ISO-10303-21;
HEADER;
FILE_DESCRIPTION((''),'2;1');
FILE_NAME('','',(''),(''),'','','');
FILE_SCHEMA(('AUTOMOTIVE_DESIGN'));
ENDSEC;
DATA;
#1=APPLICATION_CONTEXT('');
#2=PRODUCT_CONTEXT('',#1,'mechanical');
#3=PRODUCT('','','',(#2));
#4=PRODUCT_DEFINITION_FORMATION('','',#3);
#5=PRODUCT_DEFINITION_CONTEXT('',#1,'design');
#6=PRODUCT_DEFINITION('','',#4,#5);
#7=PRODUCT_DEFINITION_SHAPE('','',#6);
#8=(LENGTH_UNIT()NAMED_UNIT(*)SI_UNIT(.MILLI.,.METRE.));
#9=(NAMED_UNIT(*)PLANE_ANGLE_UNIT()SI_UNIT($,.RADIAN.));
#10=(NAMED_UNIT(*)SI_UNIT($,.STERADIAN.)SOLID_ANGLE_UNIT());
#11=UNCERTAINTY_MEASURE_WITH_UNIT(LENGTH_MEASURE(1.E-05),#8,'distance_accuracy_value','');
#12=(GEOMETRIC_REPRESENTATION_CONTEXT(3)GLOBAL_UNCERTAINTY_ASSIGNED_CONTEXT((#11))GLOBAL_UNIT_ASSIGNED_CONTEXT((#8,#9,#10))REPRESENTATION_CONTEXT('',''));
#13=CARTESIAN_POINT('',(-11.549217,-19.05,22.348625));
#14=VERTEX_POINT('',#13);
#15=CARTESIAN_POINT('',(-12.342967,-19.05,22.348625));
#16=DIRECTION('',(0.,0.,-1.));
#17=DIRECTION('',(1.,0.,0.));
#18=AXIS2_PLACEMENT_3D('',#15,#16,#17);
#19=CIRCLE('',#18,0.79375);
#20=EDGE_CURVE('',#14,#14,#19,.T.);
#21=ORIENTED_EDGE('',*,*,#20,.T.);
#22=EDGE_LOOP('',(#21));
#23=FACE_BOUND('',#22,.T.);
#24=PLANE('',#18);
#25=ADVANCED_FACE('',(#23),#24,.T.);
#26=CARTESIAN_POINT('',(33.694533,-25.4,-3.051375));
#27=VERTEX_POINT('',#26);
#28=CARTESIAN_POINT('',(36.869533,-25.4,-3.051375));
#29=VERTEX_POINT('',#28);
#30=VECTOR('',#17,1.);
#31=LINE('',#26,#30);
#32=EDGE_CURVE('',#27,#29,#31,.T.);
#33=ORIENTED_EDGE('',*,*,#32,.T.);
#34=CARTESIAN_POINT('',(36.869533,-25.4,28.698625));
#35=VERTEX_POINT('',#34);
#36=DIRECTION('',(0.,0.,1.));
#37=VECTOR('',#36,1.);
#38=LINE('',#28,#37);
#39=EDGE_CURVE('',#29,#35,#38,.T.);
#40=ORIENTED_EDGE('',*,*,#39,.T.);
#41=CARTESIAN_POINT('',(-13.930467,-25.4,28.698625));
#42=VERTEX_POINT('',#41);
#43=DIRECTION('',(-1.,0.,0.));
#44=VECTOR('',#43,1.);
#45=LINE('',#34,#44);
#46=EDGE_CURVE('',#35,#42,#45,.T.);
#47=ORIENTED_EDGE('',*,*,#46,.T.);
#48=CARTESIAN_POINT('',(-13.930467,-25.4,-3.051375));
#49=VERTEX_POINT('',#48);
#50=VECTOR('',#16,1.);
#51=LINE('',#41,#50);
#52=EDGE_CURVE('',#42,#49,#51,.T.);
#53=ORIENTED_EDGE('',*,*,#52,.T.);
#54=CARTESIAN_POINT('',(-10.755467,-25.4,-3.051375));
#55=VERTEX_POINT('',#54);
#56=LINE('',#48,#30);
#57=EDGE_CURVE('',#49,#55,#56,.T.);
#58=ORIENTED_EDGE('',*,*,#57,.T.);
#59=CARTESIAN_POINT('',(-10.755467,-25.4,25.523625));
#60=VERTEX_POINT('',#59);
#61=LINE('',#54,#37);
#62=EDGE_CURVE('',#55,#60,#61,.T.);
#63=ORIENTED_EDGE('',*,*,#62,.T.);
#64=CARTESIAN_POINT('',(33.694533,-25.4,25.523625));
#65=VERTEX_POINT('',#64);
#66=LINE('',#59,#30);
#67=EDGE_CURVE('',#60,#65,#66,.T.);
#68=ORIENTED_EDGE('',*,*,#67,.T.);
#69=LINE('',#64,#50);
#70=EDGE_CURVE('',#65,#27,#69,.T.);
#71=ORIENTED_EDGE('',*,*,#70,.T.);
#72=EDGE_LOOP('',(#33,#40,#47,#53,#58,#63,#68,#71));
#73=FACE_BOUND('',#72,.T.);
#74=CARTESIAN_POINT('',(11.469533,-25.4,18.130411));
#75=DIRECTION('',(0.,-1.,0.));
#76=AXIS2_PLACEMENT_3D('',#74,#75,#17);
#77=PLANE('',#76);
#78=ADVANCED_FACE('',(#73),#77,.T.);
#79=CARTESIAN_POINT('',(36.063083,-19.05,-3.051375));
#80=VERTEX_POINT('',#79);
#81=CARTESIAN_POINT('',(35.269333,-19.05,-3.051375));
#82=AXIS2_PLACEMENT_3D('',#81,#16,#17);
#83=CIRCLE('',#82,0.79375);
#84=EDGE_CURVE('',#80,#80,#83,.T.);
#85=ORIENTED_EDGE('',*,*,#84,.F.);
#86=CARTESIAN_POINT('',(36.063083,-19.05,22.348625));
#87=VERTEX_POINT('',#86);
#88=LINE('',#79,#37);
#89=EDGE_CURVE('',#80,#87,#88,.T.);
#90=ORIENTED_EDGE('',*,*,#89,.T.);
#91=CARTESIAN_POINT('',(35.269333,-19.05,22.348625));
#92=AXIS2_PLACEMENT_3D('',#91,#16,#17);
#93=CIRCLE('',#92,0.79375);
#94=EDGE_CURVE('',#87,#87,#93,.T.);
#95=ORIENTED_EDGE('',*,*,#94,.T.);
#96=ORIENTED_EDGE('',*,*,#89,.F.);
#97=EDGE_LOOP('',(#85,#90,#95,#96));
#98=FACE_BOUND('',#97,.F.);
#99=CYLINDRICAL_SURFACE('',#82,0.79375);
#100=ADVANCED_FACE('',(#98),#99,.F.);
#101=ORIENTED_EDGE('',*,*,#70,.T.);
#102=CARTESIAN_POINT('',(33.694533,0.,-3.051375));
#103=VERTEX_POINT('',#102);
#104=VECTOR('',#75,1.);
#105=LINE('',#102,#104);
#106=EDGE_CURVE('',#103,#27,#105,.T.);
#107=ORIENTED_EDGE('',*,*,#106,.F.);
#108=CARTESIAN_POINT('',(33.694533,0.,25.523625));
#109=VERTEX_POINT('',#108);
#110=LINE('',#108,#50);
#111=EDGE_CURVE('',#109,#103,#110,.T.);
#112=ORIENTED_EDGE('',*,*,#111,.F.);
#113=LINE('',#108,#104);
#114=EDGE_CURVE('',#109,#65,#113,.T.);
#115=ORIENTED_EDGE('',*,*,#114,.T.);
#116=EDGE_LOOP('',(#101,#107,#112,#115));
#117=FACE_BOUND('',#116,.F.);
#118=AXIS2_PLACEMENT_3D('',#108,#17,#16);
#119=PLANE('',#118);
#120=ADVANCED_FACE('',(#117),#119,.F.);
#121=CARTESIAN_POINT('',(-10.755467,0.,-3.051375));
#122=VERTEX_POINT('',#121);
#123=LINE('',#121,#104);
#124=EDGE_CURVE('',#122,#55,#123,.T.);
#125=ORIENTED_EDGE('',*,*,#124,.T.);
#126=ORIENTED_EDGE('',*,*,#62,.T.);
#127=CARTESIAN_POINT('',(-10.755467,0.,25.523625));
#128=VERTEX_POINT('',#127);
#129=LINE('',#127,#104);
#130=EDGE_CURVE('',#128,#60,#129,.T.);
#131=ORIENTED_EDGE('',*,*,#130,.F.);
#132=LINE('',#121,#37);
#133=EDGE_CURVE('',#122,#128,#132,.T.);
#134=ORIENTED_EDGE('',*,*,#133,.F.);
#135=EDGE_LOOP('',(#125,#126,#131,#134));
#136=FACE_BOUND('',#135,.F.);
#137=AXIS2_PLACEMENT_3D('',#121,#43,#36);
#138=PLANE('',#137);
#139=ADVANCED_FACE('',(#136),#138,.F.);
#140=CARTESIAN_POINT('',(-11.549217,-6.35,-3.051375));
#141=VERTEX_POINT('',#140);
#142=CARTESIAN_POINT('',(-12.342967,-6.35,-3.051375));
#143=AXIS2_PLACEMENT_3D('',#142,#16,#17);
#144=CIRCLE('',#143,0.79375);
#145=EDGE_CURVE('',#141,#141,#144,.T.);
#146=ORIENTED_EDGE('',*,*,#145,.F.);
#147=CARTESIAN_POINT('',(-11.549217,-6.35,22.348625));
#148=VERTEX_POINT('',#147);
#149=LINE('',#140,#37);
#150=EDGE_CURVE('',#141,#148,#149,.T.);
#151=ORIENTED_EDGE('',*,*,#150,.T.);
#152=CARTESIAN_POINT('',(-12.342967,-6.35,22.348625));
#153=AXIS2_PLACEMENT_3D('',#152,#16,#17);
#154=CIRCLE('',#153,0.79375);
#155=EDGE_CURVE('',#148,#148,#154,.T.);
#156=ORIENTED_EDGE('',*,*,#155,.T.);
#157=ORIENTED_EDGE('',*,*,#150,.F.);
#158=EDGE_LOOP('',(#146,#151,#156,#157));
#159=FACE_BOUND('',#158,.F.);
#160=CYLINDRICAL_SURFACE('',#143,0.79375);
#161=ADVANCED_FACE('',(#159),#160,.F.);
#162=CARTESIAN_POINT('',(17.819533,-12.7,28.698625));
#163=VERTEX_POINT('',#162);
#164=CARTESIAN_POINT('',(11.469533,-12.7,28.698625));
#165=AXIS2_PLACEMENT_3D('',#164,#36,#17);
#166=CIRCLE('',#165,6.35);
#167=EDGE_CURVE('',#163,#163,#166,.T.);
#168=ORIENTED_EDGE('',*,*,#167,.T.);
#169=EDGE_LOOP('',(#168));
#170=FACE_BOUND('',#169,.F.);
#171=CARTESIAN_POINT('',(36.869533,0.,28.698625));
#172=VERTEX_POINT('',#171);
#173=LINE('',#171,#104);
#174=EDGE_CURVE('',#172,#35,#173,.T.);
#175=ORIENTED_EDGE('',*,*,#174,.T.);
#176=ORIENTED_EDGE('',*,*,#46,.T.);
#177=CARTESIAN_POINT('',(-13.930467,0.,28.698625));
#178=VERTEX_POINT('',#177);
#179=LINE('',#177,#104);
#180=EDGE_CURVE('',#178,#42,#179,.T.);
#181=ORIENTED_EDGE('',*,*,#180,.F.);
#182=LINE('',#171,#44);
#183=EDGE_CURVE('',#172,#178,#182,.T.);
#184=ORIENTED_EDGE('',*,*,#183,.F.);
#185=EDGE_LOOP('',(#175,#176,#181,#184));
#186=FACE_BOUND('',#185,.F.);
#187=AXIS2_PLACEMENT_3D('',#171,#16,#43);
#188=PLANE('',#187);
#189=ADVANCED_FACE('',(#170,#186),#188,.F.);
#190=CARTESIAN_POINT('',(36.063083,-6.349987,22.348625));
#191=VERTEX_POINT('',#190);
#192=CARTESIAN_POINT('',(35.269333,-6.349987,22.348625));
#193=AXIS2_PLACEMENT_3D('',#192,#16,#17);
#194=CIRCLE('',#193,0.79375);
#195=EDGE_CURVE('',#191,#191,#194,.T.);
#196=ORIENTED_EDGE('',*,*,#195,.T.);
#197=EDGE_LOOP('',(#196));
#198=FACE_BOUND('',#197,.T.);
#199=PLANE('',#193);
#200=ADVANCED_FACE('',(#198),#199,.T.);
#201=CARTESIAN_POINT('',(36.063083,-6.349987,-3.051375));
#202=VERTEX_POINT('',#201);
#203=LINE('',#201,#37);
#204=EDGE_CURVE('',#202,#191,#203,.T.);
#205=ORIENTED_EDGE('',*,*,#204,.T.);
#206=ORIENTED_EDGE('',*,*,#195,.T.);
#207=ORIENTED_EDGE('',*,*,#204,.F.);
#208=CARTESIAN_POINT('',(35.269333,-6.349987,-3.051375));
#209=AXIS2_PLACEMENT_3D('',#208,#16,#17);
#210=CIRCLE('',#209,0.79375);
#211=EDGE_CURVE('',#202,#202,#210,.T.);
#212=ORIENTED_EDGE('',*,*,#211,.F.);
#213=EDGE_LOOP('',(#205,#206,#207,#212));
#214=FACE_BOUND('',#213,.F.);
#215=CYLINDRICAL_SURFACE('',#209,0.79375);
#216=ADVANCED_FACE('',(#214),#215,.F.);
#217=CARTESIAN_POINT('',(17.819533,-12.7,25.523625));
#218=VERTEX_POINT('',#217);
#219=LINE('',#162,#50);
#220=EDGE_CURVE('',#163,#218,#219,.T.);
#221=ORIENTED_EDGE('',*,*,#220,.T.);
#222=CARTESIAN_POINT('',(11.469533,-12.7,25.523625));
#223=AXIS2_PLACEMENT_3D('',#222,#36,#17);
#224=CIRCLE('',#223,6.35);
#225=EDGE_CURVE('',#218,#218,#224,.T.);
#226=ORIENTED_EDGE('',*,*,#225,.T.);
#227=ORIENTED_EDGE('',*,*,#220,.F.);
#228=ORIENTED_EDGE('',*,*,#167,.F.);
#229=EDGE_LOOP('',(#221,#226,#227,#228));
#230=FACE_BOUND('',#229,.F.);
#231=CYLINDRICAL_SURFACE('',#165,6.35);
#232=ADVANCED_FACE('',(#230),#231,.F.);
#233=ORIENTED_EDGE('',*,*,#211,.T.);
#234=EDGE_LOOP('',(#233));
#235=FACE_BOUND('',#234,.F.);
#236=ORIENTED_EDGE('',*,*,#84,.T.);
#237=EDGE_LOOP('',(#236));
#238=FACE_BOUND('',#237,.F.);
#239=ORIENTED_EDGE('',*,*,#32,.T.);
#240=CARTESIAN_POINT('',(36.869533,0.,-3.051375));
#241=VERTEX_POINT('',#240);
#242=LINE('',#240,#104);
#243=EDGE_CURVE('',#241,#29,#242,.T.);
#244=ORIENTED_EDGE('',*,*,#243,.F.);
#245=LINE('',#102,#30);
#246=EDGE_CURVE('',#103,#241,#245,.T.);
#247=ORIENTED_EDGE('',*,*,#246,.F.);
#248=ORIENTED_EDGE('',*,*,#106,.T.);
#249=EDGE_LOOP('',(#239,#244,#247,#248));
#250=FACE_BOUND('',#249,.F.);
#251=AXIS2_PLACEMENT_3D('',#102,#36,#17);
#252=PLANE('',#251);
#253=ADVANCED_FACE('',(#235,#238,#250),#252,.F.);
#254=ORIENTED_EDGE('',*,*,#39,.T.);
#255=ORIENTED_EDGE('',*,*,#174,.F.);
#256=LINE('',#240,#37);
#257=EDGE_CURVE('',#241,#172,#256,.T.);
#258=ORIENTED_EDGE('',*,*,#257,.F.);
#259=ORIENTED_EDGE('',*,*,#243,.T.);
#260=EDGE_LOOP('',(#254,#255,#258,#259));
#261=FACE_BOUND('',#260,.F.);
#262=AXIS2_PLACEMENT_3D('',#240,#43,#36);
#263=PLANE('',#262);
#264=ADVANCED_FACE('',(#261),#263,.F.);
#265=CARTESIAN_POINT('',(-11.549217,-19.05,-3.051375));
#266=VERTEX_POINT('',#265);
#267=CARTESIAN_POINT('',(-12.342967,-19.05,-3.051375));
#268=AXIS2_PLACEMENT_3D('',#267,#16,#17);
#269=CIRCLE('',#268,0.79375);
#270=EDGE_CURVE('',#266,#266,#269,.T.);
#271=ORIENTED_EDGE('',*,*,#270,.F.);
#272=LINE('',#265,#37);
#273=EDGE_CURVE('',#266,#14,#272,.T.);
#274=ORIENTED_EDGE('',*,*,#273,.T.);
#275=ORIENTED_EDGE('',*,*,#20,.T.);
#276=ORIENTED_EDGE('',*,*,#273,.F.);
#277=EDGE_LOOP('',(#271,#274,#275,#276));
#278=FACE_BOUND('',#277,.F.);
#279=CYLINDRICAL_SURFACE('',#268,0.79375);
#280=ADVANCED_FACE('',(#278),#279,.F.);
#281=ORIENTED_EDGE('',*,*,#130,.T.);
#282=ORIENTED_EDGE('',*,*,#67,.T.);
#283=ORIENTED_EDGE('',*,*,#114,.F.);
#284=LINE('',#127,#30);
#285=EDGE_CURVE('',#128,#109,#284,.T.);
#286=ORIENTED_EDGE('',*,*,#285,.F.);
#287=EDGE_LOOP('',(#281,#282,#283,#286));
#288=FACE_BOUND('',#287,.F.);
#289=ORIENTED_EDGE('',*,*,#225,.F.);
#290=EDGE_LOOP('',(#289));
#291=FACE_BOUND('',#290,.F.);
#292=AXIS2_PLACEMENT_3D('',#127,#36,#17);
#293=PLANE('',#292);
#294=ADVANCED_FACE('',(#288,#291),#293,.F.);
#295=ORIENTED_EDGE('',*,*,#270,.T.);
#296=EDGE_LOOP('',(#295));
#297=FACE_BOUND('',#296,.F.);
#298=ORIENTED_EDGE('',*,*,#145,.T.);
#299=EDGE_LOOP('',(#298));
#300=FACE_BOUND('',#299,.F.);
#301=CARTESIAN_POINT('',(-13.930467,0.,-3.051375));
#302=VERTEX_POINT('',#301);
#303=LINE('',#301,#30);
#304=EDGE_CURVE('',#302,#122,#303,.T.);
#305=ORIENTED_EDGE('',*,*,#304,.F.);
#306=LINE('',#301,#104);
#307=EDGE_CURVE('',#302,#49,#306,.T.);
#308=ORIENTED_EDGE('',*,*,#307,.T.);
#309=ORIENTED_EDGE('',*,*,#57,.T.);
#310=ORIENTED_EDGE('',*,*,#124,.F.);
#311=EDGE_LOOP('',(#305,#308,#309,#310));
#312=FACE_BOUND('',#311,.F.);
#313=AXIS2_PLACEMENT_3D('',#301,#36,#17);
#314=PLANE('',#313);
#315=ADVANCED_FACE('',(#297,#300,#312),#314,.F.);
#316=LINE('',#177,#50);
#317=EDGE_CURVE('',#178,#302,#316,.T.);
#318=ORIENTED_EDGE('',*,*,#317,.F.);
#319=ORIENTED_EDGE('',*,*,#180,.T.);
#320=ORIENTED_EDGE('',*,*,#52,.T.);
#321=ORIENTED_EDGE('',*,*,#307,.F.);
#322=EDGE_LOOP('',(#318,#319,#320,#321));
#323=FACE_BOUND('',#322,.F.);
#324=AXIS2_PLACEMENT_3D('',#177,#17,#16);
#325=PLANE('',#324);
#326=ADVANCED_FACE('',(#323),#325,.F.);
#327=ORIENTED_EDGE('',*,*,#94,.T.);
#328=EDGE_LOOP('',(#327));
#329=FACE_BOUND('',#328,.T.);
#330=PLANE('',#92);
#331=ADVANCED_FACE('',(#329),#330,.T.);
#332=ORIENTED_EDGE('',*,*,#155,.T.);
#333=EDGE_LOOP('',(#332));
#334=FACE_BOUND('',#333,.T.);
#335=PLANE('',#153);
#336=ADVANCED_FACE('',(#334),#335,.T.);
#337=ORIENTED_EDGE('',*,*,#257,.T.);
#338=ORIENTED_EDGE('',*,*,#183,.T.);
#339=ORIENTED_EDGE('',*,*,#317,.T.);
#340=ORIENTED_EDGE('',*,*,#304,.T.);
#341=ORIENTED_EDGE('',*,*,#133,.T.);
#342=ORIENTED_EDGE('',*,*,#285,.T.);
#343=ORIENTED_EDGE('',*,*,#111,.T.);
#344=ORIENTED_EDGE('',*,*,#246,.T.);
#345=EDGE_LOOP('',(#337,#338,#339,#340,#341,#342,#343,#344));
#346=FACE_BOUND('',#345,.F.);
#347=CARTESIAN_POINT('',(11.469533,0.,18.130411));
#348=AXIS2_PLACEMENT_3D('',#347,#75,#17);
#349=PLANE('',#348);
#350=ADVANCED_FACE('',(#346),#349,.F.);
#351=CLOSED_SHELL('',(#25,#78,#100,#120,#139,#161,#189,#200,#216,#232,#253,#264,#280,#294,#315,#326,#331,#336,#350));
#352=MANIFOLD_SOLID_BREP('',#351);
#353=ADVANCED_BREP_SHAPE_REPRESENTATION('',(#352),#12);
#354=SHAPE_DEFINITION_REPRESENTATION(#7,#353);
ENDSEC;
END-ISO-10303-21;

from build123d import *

# Parameters (mm, degrees)
F1_DEPTH = 25.4
F2_R     = 6.35
F3_DEPTH = 25.4
F4_R     = 0.79375
F6_DEPTH = 25.4
F5_R     = 0.79375
F7_DEPTH = 25.4


with BuildPart() as f1:
    # F0 (on Front) → F1 (new body)
    with BuildSketch(Plane.XZ):
        Polygon((-13.930467, 28.698625), (-13.930467, -3.051375), (-10.755467, -3.051375), (-10.755467, 25.523625), (33.694533, 25.523625), (33.694533, -3.051375), (36.869533, -3.051375), (36.869533, 28.698625), align=None)
    extrude(amount=F1_DEPTH)

    # F2 (on face) → F3 (cut)
    with BuildSketch(Plane.XY.offset(28.698625)):
        with Locations((11.469533, -12.7)):
            Circle(F2_R)
    extrude(amount=-F3_DEPTH, mode=Mode.SUBTRACT)

    # F4 (on face) → F6 (cut)
    with BuildSketch(Plane(origin=(0, 0, -3.051375), x_dir=(1, 0, 0), z_dir=(0, 0, -1))):
        with Locations((-12.342967, 19.05)):
            Circle(F4_R)
        with Locations((-12.342967, 6.35)):
            Circle(F4_R)
    extrude(amount=-F6_DEPTH, mode=Mode.SUBTRACT)

    # F5 (on face) → F7 (cut)
    with BuildSketch(Plane(origin=(0, 0, -3.051375), x_dir=(1, 0, 0), z_dir=(0, 0, -1))):
        with Locations((35.269333, 19.05)):
            Circle(F5_R)
        with Locations((35.269333, 6.349987)):
            Circle(F5_R)
    extrude(amount=-F7_DEPTH, mode=Mode.SUBTRACT)


solid = f1.part
